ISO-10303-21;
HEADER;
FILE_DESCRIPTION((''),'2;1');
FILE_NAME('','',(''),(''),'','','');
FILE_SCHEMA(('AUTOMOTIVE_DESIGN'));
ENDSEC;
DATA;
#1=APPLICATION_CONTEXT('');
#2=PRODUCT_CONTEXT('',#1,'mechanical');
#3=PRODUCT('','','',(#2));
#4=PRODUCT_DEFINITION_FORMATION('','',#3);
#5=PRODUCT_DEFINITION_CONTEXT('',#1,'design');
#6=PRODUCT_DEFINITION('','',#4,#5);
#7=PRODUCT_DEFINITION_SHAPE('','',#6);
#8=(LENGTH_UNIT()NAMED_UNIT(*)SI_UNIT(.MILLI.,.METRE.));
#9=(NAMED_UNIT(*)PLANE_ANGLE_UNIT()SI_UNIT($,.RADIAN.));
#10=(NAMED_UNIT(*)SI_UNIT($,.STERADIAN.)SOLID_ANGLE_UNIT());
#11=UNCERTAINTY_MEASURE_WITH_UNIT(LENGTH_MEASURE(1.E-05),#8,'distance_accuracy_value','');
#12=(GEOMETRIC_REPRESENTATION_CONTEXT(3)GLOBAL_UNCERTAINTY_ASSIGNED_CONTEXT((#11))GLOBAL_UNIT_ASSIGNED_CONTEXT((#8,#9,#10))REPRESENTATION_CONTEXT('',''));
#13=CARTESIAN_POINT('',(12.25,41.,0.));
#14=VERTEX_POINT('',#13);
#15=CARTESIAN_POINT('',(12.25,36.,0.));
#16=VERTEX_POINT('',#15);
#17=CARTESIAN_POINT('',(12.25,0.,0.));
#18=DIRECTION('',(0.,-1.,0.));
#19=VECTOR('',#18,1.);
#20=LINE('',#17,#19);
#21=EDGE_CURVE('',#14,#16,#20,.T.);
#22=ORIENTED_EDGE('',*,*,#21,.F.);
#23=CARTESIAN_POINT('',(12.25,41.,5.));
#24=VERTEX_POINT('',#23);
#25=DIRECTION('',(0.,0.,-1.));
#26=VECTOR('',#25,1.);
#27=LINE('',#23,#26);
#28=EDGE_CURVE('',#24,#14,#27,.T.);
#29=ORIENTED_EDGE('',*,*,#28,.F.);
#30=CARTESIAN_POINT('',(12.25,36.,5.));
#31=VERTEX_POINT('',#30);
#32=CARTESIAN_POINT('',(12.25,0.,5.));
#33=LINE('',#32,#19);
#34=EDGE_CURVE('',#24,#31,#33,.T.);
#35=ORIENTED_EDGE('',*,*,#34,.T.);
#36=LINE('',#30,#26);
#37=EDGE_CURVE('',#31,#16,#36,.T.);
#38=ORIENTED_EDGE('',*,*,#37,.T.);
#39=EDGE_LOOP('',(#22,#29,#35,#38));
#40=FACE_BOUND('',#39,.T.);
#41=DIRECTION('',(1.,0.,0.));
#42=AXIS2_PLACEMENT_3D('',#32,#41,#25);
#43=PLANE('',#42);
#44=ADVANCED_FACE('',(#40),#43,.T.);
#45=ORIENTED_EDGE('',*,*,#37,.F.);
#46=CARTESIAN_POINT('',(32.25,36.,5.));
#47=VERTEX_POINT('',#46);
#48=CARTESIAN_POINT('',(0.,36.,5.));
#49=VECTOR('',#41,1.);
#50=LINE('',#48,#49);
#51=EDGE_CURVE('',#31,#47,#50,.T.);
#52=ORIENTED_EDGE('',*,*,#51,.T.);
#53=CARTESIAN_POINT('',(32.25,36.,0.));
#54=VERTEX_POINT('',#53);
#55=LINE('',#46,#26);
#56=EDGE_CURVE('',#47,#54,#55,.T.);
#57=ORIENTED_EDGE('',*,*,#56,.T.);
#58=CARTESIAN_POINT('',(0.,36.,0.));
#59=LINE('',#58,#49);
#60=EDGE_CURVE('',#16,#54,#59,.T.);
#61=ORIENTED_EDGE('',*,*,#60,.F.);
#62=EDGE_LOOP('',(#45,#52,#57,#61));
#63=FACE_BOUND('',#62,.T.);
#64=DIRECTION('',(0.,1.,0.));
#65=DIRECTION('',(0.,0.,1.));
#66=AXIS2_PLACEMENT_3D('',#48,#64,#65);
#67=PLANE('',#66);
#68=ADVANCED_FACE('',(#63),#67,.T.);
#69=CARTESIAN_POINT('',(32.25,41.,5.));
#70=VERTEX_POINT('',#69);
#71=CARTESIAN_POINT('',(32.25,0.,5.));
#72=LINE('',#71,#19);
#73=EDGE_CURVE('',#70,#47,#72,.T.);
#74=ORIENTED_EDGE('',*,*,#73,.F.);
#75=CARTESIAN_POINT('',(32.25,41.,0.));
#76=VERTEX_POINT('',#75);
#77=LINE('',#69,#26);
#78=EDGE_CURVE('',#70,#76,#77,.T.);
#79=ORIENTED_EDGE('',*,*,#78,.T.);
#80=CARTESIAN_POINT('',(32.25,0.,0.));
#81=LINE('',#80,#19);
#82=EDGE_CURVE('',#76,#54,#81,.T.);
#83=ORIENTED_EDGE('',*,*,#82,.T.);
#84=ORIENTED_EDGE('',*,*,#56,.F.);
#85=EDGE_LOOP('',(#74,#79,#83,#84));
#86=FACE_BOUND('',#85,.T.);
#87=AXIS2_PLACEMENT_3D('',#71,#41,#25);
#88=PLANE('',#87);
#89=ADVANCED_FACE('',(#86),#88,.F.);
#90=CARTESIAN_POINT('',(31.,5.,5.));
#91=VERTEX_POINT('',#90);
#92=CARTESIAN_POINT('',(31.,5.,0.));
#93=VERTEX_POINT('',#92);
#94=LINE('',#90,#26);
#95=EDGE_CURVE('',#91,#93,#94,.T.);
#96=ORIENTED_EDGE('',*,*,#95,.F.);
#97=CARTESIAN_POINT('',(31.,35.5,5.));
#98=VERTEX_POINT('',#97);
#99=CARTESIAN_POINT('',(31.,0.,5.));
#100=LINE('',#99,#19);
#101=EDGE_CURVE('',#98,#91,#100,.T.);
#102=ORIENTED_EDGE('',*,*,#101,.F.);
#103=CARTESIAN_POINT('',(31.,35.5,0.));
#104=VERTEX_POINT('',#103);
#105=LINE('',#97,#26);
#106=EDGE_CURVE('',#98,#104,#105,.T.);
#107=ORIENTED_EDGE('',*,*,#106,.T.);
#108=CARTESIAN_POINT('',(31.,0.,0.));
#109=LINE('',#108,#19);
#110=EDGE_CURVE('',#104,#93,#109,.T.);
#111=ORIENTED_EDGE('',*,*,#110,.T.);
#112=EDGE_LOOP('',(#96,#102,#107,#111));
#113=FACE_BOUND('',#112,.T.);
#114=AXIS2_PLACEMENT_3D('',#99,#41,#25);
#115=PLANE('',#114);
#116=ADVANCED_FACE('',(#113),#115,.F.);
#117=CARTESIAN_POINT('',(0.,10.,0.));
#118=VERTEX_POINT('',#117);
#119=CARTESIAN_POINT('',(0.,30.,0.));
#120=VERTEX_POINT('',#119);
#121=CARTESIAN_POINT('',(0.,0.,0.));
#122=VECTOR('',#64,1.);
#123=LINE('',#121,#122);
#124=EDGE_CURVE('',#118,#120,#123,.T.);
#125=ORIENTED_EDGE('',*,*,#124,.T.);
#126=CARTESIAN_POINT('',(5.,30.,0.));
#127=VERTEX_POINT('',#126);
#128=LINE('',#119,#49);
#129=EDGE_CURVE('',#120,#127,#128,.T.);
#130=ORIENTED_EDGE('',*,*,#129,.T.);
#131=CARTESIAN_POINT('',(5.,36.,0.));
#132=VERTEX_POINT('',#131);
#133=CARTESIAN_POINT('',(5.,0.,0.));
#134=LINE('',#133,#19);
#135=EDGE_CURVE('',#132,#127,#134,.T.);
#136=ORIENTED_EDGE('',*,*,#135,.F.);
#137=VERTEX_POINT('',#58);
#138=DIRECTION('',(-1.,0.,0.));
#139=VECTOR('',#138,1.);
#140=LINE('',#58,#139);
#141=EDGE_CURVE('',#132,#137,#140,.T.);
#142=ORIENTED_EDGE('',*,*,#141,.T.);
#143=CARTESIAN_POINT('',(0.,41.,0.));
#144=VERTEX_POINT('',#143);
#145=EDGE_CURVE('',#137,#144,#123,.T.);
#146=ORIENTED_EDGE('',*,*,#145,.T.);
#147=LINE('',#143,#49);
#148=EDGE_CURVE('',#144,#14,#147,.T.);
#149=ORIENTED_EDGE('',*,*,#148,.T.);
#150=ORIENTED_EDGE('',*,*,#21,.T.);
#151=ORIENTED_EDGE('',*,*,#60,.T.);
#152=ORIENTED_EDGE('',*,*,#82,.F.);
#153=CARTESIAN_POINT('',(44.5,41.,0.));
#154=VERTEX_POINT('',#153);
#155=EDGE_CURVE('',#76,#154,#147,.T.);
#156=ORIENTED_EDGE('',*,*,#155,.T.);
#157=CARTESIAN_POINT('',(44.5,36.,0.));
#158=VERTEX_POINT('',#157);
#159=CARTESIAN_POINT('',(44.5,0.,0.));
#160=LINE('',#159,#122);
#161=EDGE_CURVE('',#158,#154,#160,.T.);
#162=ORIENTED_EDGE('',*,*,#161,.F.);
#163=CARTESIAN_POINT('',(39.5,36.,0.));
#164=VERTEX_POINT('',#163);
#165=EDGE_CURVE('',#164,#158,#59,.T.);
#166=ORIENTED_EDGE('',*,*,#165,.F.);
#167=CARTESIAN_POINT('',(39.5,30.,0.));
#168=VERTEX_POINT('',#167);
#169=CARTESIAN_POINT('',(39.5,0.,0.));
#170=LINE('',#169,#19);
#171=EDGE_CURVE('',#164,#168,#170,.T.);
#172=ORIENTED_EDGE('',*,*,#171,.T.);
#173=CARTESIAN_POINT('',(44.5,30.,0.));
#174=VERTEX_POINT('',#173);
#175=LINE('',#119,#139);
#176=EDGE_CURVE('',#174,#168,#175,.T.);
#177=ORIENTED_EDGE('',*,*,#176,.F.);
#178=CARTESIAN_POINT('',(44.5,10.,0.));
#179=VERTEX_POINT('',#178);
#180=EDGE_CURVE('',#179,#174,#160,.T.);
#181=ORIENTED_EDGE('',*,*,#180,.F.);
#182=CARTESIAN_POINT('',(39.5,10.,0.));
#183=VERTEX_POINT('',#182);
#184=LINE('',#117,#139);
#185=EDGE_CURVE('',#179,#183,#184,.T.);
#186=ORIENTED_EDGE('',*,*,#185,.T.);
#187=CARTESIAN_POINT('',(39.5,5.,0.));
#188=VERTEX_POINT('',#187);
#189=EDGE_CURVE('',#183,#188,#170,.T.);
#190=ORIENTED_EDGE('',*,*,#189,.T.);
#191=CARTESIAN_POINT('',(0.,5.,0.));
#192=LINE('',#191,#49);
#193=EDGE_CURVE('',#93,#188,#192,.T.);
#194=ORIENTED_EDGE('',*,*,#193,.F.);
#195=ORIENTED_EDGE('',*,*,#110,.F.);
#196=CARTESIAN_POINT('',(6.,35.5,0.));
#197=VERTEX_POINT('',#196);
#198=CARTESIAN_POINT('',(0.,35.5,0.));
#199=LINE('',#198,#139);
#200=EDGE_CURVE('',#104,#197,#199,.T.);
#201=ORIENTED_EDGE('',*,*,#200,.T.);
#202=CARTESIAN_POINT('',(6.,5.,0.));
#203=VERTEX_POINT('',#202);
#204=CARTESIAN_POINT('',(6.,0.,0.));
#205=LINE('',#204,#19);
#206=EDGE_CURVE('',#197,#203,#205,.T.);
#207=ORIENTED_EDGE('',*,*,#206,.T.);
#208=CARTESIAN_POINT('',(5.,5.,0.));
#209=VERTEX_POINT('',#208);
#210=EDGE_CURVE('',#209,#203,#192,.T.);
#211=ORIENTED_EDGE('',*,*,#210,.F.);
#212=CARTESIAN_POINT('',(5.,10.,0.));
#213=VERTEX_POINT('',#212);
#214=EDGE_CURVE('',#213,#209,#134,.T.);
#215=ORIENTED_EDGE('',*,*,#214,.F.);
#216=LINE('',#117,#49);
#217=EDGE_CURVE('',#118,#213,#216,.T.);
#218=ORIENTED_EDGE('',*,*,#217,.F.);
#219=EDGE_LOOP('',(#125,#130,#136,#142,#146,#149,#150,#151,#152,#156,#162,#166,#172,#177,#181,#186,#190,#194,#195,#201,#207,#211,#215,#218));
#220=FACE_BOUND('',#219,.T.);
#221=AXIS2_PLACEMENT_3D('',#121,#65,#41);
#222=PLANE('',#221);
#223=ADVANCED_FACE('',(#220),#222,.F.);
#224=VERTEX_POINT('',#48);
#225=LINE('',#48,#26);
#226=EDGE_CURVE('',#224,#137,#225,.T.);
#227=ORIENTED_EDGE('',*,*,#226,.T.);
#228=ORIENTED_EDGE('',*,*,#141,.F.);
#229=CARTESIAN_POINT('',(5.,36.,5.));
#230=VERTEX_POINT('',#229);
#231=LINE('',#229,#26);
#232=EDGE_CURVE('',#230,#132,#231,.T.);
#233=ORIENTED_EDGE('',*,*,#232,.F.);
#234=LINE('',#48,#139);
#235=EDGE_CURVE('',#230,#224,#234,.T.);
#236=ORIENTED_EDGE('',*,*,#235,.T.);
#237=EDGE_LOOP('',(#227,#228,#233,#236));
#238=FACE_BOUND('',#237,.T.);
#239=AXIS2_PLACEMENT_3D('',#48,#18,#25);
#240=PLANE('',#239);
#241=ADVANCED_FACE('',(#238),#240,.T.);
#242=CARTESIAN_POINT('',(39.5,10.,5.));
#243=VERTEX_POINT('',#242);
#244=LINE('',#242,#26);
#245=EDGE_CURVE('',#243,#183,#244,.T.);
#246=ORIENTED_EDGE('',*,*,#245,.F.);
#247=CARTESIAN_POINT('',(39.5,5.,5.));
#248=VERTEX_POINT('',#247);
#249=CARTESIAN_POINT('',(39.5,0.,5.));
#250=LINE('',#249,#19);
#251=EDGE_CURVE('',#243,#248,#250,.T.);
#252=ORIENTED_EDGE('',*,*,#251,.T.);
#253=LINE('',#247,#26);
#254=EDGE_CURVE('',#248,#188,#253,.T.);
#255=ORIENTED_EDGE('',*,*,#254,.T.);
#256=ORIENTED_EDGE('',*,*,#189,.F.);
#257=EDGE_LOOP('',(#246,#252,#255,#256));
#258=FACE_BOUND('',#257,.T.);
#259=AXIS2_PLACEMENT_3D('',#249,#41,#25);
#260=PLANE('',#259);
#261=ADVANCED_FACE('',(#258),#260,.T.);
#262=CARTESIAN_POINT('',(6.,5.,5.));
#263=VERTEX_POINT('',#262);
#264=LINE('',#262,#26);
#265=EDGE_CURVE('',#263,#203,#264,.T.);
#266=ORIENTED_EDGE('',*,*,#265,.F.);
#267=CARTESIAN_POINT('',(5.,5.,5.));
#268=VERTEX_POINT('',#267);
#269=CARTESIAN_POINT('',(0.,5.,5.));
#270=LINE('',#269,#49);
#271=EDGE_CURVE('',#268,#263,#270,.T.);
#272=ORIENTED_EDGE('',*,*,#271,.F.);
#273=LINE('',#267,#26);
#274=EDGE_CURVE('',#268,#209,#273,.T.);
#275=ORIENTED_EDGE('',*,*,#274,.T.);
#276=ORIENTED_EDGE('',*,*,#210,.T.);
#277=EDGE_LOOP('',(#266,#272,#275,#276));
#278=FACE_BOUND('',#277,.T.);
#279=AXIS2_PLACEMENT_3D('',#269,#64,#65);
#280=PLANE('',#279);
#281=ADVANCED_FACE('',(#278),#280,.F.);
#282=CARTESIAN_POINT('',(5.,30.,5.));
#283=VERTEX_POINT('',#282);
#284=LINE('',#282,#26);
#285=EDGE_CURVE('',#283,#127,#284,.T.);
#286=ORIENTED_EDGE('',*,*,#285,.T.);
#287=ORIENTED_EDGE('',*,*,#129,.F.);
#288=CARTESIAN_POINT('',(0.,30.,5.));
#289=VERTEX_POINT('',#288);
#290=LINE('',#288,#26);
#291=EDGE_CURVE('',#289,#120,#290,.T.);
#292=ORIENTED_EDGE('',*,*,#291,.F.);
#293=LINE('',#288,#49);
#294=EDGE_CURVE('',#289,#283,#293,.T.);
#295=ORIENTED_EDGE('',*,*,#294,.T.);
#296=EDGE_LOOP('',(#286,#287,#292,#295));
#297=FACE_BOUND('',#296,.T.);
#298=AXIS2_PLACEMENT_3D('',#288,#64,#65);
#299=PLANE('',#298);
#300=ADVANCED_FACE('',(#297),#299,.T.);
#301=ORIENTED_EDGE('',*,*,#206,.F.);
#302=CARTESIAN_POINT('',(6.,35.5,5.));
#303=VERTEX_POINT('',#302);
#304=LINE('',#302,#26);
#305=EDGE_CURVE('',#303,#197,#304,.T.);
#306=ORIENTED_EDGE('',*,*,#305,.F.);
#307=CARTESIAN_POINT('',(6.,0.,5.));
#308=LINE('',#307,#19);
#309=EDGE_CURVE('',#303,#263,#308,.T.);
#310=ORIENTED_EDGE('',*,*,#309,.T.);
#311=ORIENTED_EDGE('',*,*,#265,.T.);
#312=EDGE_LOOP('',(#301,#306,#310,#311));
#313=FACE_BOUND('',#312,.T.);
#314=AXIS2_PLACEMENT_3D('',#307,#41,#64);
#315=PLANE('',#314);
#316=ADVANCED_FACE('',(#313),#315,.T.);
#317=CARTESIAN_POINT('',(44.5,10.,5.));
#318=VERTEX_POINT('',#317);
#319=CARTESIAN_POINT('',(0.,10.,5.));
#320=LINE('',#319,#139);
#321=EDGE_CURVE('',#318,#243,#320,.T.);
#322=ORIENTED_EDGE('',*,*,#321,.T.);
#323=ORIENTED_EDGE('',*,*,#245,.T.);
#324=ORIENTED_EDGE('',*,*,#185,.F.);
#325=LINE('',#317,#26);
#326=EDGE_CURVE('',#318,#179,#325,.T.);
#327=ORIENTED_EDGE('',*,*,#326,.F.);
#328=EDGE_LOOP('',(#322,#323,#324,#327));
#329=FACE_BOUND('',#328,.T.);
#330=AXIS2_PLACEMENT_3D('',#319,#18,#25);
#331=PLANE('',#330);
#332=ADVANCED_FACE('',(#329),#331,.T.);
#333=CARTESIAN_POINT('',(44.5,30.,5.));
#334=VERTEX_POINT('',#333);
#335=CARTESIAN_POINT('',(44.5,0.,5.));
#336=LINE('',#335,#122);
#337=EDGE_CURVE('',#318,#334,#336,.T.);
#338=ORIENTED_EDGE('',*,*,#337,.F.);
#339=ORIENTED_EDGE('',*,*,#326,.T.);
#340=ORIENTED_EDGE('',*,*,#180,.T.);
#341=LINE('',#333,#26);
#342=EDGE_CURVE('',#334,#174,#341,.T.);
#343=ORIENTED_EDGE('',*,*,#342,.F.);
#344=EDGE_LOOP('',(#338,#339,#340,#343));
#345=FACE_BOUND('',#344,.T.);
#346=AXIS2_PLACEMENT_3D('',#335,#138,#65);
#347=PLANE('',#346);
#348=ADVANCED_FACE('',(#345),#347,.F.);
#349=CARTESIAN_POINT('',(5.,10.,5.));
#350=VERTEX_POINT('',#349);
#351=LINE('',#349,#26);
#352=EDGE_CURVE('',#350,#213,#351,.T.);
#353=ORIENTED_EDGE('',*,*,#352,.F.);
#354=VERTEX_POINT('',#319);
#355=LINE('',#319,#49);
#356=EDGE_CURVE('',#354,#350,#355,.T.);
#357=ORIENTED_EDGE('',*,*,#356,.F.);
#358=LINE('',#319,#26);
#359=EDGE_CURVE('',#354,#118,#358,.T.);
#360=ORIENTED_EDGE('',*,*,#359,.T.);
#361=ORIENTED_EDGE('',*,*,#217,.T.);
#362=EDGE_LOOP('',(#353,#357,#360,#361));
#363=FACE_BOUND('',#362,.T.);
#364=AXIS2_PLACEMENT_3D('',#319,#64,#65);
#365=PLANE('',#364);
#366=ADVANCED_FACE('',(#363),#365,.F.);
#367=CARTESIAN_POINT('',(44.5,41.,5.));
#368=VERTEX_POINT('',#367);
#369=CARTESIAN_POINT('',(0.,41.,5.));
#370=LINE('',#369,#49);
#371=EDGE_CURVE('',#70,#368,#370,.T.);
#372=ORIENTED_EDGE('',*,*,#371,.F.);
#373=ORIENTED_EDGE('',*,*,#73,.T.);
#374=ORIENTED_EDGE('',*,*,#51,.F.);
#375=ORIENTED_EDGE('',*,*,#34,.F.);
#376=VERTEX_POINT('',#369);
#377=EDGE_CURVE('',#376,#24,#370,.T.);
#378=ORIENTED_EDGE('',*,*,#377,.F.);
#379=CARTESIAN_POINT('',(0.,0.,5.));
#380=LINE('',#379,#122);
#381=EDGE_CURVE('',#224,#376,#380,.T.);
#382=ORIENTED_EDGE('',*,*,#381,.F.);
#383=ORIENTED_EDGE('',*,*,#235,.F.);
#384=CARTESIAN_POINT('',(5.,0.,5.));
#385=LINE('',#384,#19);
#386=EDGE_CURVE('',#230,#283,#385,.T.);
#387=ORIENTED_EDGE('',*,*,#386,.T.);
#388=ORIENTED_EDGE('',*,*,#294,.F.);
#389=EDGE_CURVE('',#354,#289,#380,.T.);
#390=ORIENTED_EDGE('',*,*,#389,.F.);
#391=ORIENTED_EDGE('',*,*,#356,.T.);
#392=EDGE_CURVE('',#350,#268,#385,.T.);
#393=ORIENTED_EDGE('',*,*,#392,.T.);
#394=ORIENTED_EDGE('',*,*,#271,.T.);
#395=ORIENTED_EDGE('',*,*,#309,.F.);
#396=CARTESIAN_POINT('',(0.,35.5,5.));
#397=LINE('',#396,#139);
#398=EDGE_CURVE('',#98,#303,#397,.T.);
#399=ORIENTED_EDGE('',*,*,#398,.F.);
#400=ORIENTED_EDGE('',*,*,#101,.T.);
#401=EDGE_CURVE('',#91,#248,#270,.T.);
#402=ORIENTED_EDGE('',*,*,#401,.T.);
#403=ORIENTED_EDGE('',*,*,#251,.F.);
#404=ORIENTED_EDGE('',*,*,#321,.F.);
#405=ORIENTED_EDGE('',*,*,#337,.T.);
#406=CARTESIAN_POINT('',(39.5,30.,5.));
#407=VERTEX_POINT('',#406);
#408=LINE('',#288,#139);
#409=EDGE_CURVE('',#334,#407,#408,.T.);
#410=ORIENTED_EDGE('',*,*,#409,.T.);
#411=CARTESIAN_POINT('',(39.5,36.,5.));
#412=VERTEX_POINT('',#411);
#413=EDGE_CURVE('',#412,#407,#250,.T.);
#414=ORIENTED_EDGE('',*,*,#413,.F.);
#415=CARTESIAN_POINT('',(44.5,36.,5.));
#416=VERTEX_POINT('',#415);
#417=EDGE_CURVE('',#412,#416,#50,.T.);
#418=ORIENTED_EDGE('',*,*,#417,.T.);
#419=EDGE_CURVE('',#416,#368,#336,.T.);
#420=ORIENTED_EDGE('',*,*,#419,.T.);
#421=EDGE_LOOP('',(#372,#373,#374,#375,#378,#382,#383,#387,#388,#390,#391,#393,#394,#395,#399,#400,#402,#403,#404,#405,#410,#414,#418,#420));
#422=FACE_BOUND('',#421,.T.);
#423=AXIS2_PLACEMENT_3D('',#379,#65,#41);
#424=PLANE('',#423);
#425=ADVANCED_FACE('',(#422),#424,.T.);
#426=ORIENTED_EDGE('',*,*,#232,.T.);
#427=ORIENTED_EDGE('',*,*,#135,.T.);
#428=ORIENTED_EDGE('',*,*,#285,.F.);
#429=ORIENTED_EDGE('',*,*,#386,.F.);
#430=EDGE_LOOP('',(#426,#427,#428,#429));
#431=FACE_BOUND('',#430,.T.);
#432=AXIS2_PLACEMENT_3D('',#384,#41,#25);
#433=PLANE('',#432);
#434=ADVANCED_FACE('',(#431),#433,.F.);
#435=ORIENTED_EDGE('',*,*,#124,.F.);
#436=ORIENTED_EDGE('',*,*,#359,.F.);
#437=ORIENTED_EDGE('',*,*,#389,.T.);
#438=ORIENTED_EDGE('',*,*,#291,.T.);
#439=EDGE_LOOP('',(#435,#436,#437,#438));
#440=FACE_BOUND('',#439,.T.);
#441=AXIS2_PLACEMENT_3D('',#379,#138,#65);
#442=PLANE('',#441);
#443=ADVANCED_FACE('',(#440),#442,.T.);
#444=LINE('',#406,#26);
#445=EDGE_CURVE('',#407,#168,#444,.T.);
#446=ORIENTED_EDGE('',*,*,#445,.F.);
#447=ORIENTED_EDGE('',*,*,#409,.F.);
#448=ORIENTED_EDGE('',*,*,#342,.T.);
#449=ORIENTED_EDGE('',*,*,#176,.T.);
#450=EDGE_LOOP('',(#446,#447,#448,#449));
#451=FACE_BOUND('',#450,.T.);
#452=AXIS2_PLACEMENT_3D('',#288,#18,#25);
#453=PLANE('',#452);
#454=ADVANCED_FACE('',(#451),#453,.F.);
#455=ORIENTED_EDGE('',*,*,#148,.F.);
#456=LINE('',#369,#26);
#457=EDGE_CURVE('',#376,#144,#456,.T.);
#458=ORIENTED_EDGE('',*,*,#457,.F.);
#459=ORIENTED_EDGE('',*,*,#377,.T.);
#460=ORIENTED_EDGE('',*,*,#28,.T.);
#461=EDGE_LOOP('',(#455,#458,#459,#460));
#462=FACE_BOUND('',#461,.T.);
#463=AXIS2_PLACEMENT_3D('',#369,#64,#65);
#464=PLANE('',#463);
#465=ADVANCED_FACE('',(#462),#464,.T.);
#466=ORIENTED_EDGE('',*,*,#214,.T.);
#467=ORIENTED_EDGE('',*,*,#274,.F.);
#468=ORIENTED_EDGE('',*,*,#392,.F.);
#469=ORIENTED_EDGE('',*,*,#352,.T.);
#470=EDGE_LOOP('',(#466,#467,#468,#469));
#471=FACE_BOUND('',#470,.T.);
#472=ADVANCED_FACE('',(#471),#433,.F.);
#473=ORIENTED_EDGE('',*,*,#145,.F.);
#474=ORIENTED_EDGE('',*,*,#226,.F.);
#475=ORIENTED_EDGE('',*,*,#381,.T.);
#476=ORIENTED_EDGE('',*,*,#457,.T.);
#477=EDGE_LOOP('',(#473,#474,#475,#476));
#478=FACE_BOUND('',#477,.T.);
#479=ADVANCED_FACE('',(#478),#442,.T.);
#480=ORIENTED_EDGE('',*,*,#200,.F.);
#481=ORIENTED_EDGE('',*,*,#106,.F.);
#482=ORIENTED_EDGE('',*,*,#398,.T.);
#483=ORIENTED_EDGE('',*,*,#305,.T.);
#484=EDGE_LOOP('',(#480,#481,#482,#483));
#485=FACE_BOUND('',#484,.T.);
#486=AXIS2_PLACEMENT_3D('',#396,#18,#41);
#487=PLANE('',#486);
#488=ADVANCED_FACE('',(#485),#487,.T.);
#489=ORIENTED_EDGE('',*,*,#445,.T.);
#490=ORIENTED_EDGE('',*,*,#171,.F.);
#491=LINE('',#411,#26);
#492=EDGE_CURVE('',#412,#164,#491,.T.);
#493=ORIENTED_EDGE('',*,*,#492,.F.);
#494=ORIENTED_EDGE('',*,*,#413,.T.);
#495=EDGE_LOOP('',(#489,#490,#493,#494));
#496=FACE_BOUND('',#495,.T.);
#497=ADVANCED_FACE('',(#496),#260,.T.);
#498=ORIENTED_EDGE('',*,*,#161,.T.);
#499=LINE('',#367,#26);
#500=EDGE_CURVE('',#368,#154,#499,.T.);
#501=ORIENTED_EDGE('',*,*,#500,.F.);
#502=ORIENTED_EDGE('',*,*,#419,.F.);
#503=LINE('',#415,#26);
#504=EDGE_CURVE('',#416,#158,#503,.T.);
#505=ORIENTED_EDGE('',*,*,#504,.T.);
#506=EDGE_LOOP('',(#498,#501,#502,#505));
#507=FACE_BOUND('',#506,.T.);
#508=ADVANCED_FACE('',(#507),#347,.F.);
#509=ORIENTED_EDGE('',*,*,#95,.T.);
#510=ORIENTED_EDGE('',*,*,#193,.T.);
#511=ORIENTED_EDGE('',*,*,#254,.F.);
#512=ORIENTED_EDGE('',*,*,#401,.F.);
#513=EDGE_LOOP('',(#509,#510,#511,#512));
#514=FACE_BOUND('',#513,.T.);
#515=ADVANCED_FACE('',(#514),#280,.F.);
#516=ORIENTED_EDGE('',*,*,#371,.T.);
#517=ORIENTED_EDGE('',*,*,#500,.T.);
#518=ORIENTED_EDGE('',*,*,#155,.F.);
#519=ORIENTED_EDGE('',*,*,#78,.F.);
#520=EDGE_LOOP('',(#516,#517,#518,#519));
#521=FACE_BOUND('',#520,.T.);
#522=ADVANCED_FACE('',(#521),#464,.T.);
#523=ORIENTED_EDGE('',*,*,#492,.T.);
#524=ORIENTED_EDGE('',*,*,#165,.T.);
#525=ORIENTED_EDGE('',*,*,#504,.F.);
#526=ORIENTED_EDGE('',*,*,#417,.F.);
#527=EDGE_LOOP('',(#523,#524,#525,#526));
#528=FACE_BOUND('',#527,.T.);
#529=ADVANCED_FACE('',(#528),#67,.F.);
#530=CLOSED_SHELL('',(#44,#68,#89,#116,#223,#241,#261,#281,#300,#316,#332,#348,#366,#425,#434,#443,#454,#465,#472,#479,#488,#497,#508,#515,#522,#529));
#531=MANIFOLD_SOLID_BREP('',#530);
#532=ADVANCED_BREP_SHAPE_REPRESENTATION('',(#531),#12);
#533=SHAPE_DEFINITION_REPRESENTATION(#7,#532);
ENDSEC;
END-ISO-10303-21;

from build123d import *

# Parameters (mm, degrees)
BOSS_EXTRUDE1_DEPTH = 5


with BuildPart() as part:
    # Sketch1 → Boss-Extrude1 (new body)
    with BuildSketch(Plane.XY):
        Polygon((0, 36), (5, 36), (5, 30), (0, 30), (0, 10), (5, 10), (5, 5), (6, 5), (6, 35.5), (31, 35.5), (31, 5), (39.5, 5), (39.5, 10), (44.5, 10), (44.5, 30), (39.5, 30), (39.5, 36), (44.5, 36), (44.5, 41), (32.25, 41), (32.25, 36), (12.25, 36), (12.25, 41), (0, 41), align=None)
    extrude(amount=BOSS_EXTRUDE1_DEPTH)


solid = part.part
